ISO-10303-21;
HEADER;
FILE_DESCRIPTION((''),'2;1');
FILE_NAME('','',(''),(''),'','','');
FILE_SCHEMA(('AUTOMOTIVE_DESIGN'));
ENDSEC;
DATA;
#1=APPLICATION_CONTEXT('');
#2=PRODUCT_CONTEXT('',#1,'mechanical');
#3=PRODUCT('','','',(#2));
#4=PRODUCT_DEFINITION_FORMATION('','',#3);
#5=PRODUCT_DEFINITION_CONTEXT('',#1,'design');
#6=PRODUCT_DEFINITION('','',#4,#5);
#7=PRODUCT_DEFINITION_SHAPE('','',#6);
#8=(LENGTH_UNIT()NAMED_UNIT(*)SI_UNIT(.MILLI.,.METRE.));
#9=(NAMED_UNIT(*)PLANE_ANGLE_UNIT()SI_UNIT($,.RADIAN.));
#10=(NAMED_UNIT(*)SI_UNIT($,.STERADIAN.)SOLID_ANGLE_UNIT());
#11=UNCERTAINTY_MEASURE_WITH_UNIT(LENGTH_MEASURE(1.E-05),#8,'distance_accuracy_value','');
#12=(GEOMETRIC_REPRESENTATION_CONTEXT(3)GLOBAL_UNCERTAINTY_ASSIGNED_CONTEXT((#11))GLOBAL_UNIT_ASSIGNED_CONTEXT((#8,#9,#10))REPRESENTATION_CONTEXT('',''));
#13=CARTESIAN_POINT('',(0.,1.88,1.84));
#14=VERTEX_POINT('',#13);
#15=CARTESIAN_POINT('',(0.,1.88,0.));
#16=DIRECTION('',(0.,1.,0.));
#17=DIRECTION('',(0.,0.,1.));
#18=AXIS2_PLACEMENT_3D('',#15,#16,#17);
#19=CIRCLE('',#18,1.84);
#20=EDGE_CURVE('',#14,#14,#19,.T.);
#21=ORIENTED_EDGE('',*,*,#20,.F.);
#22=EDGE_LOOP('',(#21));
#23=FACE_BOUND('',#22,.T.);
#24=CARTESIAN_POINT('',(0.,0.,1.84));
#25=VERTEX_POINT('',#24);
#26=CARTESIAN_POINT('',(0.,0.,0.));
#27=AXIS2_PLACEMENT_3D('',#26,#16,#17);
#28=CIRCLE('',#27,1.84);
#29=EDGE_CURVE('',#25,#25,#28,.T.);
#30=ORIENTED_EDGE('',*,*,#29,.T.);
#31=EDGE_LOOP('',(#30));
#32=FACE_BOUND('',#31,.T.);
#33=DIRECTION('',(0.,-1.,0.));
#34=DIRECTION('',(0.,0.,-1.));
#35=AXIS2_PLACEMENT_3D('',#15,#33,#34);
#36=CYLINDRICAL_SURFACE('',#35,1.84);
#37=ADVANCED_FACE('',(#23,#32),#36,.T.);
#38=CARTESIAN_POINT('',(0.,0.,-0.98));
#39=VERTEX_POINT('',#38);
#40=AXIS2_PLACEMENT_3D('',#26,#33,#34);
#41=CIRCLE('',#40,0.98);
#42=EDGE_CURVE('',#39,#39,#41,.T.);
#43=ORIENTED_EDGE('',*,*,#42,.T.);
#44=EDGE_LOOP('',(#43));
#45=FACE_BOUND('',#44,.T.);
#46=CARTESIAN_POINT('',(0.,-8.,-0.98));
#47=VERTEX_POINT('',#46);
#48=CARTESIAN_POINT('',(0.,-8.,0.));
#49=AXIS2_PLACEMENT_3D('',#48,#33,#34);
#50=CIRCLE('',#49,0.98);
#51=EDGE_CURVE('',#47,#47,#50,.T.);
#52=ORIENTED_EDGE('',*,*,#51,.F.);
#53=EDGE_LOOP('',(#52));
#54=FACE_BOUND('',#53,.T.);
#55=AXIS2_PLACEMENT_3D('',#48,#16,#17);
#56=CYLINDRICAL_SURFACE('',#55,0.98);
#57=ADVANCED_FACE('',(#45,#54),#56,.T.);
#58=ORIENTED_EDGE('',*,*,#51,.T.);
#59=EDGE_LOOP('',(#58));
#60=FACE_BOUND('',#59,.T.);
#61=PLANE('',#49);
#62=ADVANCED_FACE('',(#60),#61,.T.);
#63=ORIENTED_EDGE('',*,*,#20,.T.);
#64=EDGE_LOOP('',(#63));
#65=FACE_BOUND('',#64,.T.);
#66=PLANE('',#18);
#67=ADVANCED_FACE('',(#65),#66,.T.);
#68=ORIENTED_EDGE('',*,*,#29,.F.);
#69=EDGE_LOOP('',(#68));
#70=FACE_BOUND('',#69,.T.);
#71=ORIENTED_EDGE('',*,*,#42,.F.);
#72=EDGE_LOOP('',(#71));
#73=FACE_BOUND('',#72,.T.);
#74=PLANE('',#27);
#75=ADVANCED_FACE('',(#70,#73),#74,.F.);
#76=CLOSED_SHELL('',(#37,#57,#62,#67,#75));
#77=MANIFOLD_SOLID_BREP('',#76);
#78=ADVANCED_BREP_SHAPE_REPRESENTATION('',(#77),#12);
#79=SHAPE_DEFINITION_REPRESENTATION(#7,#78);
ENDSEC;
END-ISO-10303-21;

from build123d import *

# Parameters (mm, degrees)
SKETCH1_R           = 1.84
BOSS_EXTRUDE1_DEPTH = 1.88
SKETCH2_R           = 0.98
BOSS_EXTRUDE2_DEPTH = 8


with BuildPart() as part:
    # Sketch1 → Boss-Extrude1 (new body)
    with BuildSketch(Plane(origin=(0, 0, 0), x_dir=(1, 0, 0), z_dir=(0, 1, 0))):
        Circle(SKETCH1_R)
    extrude(amount=BOSS_EXTRUDE1_DEPTH)

    # Sketch2 → Boss-Extrude2 (add)
    with BuildSketch(Plane.XZ):
        Circle(SKETCH2_R)
    extrude(amount=BOSS_EXTRUDE2_DEPTH)


solid = part.part
